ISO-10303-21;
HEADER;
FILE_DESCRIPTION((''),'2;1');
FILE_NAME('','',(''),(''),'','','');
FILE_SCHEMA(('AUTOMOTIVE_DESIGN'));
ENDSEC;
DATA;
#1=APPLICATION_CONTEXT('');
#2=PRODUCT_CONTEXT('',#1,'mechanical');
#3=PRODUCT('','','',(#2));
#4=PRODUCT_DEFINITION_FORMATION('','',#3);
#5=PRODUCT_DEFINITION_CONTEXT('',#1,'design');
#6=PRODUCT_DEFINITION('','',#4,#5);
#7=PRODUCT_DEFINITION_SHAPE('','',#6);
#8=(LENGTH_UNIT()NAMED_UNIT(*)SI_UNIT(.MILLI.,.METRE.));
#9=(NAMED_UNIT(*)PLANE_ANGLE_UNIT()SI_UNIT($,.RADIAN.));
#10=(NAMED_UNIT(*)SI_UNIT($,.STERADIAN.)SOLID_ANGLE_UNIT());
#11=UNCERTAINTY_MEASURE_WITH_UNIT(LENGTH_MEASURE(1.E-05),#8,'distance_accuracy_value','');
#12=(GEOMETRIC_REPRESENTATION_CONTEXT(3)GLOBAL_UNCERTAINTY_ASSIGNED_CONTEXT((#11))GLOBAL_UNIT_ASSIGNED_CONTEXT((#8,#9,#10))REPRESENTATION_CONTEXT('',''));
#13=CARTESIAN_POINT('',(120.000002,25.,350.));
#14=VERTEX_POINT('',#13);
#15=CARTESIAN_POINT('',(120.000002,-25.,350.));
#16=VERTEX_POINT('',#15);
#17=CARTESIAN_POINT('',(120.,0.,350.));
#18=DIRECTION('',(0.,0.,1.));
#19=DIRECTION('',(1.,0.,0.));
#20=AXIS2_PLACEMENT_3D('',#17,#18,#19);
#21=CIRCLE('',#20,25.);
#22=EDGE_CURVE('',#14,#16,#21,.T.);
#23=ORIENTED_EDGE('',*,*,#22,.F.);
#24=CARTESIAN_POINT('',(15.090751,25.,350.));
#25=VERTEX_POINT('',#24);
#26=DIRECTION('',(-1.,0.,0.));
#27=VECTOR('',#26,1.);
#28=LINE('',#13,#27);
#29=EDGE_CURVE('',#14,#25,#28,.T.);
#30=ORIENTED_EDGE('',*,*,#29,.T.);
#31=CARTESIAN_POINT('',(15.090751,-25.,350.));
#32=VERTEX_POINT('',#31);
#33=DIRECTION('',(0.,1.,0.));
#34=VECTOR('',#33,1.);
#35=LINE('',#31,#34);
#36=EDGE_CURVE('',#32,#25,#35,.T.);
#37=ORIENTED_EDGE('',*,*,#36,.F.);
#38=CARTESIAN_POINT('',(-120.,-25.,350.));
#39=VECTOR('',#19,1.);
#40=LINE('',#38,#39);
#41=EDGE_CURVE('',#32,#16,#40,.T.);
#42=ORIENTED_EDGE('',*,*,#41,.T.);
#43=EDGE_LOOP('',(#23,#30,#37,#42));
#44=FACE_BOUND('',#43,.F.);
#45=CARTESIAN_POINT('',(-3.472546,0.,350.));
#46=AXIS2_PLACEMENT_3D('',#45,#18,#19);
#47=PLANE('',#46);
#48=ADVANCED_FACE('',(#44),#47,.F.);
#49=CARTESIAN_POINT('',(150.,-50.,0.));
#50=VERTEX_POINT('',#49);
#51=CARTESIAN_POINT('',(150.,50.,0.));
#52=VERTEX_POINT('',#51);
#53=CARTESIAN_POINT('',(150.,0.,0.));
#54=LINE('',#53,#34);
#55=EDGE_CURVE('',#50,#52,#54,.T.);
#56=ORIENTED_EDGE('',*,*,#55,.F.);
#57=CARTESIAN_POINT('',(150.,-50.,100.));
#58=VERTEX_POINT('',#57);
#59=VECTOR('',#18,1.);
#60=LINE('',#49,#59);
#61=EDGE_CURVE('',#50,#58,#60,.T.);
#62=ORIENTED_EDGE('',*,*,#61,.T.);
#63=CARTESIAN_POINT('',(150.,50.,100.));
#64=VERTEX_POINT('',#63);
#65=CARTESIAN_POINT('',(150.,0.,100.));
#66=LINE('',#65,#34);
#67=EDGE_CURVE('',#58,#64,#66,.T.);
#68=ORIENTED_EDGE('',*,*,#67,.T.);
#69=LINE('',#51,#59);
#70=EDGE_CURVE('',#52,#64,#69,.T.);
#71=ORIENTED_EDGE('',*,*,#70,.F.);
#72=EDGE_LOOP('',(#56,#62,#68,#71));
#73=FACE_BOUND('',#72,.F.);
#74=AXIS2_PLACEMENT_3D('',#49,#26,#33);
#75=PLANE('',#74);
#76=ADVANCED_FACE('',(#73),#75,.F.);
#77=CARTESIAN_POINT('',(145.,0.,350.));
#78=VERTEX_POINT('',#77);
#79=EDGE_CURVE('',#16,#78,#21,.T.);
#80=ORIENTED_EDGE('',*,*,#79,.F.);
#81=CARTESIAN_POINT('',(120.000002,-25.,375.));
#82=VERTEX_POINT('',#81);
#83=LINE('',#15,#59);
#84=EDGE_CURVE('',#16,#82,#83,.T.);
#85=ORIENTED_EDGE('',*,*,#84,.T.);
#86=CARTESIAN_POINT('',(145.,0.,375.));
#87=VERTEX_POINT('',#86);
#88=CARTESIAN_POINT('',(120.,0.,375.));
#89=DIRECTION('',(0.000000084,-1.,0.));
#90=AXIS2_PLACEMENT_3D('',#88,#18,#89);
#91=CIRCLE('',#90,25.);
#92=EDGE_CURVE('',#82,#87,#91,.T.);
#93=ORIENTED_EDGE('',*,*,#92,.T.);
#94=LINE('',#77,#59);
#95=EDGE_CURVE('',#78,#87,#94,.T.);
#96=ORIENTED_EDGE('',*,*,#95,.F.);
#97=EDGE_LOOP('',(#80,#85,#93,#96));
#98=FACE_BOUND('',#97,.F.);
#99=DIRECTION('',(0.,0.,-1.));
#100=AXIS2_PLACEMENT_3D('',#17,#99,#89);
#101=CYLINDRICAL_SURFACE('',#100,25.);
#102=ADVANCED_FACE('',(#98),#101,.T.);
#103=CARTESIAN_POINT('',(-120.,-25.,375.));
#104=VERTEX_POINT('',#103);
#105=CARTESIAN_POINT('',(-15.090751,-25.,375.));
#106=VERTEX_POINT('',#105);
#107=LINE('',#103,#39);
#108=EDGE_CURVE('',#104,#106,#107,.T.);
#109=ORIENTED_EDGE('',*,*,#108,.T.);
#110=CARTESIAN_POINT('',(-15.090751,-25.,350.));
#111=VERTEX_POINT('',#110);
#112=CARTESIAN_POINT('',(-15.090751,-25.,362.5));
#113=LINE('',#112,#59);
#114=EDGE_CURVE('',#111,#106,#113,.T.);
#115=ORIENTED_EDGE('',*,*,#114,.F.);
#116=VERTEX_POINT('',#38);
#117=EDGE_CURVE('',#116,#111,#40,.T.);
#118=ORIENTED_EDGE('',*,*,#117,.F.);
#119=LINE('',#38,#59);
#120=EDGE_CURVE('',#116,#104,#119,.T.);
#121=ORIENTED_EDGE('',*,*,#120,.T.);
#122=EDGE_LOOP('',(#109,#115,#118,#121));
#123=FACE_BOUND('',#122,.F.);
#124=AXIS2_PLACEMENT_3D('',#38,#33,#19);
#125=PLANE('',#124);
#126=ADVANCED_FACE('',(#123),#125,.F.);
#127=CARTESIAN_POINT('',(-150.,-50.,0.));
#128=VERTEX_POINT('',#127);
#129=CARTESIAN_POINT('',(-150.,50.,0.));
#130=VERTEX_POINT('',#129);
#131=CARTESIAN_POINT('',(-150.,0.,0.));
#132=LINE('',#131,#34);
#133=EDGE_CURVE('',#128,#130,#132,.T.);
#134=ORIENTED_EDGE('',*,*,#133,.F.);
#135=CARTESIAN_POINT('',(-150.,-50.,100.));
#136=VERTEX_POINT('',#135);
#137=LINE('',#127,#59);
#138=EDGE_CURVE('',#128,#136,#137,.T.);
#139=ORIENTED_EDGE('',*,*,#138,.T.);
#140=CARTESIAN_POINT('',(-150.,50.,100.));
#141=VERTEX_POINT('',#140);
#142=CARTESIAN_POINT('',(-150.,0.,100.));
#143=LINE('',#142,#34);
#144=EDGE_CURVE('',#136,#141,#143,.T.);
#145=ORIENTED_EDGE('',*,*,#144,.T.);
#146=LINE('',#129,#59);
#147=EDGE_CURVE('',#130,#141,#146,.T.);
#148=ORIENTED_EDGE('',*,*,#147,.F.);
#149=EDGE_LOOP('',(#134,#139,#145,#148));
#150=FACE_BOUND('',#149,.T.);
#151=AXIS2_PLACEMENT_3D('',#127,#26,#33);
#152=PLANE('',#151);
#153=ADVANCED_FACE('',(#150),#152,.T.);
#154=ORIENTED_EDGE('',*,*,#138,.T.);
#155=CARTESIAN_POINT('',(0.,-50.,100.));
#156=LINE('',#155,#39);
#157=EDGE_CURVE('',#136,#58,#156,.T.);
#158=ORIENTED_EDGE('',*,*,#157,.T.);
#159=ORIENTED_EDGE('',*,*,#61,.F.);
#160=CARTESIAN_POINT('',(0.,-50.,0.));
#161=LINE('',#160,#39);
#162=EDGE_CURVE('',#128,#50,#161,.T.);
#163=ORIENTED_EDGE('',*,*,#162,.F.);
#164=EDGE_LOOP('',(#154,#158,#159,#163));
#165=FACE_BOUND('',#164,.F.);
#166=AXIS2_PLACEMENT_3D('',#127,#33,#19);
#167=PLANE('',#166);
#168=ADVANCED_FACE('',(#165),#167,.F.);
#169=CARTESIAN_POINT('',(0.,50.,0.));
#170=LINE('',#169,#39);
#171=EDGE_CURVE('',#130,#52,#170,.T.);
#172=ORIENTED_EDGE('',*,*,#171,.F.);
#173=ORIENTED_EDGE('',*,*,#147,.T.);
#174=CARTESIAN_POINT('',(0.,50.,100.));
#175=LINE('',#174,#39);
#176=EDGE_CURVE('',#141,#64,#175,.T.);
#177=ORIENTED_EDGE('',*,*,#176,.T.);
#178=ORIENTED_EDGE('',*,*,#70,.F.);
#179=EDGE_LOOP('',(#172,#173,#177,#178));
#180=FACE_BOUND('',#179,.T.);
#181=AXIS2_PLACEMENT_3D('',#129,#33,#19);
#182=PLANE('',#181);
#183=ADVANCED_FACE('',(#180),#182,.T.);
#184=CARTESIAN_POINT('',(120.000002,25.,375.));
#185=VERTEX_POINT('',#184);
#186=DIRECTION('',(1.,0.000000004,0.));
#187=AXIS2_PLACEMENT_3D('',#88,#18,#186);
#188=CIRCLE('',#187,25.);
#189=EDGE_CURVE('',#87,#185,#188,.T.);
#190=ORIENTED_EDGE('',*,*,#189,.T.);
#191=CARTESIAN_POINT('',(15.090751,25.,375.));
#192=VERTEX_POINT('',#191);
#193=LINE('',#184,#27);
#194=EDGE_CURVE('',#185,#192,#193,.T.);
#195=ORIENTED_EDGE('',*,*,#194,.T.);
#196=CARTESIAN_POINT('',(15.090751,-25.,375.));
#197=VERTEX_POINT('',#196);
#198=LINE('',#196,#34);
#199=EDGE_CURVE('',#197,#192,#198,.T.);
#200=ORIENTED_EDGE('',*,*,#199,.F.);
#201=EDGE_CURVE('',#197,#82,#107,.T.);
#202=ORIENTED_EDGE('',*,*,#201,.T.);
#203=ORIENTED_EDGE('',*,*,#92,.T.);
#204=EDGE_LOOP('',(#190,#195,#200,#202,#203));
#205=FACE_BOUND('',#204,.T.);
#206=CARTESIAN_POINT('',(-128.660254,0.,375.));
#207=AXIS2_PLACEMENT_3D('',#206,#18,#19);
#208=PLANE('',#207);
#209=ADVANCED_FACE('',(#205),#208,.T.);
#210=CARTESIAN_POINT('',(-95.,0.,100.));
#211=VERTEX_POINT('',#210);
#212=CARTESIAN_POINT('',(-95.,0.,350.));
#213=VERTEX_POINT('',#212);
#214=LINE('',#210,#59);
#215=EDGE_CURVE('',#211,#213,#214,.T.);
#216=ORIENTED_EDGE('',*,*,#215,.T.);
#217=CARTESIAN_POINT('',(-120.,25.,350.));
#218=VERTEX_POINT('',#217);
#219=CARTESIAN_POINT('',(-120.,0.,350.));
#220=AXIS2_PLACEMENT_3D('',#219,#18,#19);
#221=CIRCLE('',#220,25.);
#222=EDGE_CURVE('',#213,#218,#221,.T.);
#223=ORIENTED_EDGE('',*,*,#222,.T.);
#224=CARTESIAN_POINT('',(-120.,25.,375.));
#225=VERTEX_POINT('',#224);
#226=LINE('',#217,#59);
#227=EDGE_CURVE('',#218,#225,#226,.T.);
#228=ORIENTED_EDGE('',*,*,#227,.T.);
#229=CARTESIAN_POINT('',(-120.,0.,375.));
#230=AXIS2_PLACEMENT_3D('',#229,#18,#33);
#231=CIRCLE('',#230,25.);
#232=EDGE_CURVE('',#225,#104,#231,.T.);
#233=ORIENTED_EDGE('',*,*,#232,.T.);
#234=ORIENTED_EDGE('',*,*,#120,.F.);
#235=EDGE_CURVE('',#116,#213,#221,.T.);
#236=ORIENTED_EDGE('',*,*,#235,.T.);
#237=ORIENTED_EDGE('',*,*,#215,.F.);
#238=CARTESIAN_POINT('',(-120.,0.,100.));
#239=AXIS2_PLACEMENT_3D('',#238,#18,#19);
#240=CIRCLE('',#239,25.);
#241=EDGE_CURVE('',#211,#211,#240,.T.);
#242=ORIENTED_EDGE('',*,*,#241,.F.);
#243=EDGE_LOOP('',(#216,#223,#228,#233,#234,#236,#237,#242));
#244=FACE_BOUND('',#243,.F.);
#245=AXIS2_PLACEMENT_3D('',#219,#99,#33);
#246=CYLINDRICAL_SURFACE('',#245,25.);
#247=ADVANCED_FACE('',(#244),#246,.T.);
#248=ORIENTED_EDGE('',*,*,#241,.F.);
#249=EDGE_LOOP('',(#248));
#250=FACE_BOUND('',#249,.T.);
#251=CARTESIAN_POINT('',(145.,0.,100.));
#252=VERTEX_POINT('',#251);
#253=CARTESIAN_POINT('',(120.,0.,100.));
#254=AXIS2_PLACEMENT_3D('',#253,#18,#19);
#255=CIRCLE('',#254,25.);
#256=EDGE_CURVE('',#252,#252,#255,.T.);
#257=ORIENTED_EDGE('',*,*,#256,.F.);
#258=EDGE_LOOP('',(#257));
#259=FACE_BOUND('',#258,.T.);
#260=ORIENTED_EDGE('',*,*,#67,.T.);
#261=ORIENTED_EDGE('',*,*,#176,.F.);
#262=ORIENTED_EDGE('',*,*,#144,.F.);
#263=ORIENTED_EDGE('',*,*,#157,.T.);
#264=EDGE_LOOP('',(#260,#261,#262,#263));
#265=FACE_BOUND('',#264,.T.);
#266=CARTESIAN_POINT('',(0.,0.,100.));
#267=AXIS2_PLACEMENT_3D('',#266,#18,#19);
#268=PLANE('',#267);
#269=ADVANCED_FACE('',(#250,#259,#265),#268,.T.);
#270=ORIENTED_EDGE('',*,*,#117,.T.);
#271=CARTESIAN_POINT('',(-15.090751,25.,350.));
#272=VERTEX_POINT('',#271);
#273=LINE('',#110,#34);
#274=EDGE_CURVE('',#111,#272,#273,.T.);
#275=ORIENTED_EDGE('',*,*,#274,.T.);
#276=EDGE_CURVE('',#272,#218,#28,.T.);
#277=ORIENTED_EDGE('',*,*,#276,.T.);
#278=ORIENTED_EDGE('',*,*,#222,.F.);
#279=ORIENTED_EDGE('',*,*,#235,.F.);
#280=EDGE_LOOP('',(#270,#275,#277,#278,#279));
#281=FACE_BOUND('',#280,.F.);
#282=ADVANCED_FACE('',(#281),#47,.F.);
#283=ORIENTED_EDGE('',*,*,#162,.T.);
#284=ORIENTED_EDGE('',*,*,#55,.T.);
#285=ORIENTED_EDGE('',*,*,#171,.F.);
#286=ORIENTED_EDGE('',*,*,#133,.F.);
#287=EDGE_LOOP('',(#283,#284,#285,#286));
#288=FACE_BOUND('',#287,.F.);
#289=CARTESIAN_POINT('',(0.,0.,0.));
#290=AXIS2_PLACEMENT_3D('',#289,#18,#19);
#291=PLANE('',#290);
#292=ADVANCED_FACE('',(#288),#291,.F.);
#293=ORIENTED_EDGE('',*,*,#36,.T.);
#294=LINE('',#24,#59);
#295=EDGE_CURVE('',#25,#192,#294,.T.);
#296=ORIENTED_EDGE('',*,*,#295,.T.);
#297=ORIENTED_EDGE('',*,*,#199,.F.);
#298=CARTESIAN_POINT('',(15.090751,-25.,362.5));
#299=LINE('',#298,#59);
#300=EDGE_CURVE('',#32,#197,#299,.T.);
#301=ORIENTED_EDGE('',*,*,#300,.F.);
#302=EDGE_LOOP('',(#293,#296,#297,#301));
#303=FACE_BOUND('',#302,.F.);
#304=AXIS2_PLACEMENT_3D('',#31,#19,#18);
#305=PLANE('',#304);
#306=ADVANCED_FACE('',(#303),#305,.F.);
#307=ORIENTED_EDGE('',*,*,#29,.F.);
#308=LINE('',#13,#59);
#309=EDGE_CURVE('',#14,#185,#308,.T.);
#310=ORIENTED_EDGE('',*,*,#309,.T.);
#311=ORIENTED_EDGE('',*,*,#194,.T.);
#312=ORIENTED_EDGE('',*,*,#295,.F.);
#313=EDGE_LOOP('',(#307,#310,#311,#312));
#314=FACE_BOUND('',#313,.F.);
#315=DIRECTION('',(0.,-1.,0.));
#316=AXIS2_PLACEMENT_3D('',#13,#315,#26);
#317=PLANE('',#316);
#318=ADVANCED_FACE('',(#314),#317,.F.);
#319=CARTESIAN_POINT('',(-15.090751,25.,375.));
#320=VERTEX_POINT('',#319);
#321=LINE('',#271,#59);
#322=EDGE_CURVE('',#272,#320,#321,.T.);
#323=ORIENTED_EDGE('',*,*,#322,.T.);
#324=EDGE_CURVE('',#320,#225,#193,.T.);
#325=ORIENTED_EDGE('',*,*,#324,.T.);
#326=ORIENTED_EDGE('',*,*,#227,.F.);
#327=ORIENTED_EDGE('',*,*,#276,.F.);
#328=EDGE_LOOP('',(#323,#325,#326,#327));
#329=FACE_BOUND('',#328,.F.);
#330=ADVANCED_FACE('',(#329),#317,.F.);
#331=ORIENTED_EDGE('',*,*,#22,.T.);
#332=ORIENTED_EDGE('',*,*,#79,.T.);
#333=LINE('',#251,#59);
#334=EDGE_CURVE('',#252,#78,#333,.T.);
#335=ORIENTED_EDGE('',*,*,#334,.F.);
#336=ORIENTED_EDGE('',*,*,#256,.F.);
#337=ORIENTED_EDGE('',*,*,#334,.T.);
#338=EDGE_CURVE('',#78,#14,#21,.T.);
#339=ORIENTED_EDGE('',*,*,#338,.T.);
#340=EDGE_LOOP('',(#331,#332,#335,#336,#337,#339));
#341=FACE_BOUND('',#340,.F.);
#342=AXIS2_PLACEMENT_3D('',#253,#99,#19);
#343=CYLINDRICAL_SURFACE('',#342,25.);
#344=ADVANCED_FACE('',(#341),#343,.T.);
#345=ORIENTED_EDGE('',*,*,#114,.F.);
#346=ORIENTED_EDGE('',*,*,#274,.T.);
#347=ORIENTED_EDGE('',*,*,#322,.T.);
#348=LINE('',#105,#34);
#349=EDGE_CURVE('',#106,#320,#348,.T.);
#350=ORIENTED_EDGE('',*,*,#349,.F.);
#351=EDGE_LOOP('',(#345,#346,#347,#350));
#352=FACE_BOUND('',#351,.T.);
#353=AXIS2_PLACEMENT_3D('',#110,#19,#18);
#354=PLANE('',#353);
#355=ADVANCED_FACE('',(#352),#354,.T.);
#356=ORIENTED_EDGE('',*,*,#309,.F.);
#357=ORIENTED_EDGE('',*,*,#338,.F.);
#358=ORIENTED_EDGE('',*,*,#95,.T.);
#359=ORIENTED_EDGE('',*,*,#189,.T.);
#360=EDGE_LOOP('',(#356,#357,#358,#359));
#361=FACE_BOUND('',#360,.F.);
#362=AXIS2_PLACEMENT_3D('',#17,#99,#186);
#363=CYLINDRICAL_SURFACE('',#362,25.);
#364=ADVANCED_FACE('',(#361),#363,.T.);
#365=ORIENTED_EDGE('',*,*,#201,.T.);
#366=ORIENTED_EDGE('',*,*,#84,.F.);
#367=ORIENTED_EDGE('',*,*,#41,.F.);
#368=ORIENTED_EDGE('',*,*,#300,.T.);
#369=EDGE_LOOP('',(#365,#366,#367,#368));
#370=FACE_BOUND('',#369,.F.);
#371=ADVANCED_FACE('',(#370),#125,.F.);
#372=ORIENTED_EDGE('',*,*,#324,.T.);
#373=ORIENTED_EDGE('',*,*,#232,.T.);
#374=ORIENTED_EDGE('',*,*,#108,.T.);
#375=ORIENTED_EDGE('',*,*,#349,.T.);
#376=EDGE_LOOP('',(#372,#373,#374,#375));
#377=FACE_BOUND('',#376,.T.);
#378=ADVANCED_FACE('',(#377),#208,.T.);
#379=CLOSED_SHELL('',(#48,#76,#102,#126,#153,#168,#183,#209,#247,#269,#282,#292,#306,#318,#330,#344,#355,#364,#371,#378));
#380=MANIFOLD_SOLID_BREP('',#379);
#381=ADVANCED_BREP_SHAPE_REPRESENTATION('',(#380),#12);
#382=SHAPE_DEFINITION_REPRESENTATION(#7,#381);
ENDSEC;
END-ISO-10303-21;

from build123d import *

# Parameters (mm, degrees)
F0_W     = 300
F0_H     = 100
F1_DEPTH = 100
F3_R     = 25
F4_DEPTH = 250
F6_DEPTH = 25
F7_DEPTH = 25
F8_W     = 30.181502
F8_H     = 25
F9_DEPTH = 75.001


with BuildPart() as f1:
    # F0 (on Top) → F1 (new body)
    with BuildSketch(Plane.XY):
        Rectangle(F0_W, F0_H)
    extrude(amount=F1_DEPTH)

    # F3 (on face) → F4 (join)
    with BuildSketch(Plane.XY.offset(100)):
        with Locations((120, 0)):
            Circle(F3_R)
        with Locations((-120, 0)):
            Circle(F3_R)
    extrude(amount=F4_DEPTH)

    # F5 (on face) → F6 (join)
    with BuildSketch(Plane.XY.offset(350)):
        with BuildLine():
            Line((120.000002, 25), (-120, 25))
            ThreePointArc((-120, 25), (-102.32233, 17.67767), (-95, 0))
            ThreePointArc((-95, 0), (-102.32233, -17.67767), (-120, -25))
            Line((-120, -25), (120.000002, -25))
            Line((120.000002, -25), (120.000002, 25))
        make_face()
        with BuildLine():
            ThreePointArc((-95, 0), (-102.32233, 17.67767), (-120, 25))
            Line((-120, 25), (-120, -25))
            ThreePointArc((-120, -25), (-102.32233, -17.67767), (-95, 0))
        make_face()
    extrude(amount=F6_DEPTH)

    # F4_face (on face) → F7 (join, through all)
    with BuildSketch(Plane(origin=(-120, 0, 350), x_dir=(1, 0, 0), z_dir=(0, 0, 1))):
        with BuildLine():
            Line((0, -25), (0, 25))
            ThreePointArc((0, 25), (-25, 0), (0, -25))
        make_face()
        with BuildLine():
            ThreePointArc((240.000002, -25), (257.67767, -17.677669), (265, 0))
            ThreePointArc((265, 0), (257.67767, 17.677669), (240.000002, 25))
            Line((240.000002, 25), (240.000002, -25))
        make_face()
    extrude(amount=F7_DEPTH)

    # F8 (on face) → F9 (cut, through all)
    with BuildSketch(Plane.XZ.offset(25)):
        with Locations((0, 362.5)):
            Rectangle(F8_W, F8_H)
    extrude(amount=-F9_DEPTH, mode=Mode.SUBTRACT)


solid = f1.part
